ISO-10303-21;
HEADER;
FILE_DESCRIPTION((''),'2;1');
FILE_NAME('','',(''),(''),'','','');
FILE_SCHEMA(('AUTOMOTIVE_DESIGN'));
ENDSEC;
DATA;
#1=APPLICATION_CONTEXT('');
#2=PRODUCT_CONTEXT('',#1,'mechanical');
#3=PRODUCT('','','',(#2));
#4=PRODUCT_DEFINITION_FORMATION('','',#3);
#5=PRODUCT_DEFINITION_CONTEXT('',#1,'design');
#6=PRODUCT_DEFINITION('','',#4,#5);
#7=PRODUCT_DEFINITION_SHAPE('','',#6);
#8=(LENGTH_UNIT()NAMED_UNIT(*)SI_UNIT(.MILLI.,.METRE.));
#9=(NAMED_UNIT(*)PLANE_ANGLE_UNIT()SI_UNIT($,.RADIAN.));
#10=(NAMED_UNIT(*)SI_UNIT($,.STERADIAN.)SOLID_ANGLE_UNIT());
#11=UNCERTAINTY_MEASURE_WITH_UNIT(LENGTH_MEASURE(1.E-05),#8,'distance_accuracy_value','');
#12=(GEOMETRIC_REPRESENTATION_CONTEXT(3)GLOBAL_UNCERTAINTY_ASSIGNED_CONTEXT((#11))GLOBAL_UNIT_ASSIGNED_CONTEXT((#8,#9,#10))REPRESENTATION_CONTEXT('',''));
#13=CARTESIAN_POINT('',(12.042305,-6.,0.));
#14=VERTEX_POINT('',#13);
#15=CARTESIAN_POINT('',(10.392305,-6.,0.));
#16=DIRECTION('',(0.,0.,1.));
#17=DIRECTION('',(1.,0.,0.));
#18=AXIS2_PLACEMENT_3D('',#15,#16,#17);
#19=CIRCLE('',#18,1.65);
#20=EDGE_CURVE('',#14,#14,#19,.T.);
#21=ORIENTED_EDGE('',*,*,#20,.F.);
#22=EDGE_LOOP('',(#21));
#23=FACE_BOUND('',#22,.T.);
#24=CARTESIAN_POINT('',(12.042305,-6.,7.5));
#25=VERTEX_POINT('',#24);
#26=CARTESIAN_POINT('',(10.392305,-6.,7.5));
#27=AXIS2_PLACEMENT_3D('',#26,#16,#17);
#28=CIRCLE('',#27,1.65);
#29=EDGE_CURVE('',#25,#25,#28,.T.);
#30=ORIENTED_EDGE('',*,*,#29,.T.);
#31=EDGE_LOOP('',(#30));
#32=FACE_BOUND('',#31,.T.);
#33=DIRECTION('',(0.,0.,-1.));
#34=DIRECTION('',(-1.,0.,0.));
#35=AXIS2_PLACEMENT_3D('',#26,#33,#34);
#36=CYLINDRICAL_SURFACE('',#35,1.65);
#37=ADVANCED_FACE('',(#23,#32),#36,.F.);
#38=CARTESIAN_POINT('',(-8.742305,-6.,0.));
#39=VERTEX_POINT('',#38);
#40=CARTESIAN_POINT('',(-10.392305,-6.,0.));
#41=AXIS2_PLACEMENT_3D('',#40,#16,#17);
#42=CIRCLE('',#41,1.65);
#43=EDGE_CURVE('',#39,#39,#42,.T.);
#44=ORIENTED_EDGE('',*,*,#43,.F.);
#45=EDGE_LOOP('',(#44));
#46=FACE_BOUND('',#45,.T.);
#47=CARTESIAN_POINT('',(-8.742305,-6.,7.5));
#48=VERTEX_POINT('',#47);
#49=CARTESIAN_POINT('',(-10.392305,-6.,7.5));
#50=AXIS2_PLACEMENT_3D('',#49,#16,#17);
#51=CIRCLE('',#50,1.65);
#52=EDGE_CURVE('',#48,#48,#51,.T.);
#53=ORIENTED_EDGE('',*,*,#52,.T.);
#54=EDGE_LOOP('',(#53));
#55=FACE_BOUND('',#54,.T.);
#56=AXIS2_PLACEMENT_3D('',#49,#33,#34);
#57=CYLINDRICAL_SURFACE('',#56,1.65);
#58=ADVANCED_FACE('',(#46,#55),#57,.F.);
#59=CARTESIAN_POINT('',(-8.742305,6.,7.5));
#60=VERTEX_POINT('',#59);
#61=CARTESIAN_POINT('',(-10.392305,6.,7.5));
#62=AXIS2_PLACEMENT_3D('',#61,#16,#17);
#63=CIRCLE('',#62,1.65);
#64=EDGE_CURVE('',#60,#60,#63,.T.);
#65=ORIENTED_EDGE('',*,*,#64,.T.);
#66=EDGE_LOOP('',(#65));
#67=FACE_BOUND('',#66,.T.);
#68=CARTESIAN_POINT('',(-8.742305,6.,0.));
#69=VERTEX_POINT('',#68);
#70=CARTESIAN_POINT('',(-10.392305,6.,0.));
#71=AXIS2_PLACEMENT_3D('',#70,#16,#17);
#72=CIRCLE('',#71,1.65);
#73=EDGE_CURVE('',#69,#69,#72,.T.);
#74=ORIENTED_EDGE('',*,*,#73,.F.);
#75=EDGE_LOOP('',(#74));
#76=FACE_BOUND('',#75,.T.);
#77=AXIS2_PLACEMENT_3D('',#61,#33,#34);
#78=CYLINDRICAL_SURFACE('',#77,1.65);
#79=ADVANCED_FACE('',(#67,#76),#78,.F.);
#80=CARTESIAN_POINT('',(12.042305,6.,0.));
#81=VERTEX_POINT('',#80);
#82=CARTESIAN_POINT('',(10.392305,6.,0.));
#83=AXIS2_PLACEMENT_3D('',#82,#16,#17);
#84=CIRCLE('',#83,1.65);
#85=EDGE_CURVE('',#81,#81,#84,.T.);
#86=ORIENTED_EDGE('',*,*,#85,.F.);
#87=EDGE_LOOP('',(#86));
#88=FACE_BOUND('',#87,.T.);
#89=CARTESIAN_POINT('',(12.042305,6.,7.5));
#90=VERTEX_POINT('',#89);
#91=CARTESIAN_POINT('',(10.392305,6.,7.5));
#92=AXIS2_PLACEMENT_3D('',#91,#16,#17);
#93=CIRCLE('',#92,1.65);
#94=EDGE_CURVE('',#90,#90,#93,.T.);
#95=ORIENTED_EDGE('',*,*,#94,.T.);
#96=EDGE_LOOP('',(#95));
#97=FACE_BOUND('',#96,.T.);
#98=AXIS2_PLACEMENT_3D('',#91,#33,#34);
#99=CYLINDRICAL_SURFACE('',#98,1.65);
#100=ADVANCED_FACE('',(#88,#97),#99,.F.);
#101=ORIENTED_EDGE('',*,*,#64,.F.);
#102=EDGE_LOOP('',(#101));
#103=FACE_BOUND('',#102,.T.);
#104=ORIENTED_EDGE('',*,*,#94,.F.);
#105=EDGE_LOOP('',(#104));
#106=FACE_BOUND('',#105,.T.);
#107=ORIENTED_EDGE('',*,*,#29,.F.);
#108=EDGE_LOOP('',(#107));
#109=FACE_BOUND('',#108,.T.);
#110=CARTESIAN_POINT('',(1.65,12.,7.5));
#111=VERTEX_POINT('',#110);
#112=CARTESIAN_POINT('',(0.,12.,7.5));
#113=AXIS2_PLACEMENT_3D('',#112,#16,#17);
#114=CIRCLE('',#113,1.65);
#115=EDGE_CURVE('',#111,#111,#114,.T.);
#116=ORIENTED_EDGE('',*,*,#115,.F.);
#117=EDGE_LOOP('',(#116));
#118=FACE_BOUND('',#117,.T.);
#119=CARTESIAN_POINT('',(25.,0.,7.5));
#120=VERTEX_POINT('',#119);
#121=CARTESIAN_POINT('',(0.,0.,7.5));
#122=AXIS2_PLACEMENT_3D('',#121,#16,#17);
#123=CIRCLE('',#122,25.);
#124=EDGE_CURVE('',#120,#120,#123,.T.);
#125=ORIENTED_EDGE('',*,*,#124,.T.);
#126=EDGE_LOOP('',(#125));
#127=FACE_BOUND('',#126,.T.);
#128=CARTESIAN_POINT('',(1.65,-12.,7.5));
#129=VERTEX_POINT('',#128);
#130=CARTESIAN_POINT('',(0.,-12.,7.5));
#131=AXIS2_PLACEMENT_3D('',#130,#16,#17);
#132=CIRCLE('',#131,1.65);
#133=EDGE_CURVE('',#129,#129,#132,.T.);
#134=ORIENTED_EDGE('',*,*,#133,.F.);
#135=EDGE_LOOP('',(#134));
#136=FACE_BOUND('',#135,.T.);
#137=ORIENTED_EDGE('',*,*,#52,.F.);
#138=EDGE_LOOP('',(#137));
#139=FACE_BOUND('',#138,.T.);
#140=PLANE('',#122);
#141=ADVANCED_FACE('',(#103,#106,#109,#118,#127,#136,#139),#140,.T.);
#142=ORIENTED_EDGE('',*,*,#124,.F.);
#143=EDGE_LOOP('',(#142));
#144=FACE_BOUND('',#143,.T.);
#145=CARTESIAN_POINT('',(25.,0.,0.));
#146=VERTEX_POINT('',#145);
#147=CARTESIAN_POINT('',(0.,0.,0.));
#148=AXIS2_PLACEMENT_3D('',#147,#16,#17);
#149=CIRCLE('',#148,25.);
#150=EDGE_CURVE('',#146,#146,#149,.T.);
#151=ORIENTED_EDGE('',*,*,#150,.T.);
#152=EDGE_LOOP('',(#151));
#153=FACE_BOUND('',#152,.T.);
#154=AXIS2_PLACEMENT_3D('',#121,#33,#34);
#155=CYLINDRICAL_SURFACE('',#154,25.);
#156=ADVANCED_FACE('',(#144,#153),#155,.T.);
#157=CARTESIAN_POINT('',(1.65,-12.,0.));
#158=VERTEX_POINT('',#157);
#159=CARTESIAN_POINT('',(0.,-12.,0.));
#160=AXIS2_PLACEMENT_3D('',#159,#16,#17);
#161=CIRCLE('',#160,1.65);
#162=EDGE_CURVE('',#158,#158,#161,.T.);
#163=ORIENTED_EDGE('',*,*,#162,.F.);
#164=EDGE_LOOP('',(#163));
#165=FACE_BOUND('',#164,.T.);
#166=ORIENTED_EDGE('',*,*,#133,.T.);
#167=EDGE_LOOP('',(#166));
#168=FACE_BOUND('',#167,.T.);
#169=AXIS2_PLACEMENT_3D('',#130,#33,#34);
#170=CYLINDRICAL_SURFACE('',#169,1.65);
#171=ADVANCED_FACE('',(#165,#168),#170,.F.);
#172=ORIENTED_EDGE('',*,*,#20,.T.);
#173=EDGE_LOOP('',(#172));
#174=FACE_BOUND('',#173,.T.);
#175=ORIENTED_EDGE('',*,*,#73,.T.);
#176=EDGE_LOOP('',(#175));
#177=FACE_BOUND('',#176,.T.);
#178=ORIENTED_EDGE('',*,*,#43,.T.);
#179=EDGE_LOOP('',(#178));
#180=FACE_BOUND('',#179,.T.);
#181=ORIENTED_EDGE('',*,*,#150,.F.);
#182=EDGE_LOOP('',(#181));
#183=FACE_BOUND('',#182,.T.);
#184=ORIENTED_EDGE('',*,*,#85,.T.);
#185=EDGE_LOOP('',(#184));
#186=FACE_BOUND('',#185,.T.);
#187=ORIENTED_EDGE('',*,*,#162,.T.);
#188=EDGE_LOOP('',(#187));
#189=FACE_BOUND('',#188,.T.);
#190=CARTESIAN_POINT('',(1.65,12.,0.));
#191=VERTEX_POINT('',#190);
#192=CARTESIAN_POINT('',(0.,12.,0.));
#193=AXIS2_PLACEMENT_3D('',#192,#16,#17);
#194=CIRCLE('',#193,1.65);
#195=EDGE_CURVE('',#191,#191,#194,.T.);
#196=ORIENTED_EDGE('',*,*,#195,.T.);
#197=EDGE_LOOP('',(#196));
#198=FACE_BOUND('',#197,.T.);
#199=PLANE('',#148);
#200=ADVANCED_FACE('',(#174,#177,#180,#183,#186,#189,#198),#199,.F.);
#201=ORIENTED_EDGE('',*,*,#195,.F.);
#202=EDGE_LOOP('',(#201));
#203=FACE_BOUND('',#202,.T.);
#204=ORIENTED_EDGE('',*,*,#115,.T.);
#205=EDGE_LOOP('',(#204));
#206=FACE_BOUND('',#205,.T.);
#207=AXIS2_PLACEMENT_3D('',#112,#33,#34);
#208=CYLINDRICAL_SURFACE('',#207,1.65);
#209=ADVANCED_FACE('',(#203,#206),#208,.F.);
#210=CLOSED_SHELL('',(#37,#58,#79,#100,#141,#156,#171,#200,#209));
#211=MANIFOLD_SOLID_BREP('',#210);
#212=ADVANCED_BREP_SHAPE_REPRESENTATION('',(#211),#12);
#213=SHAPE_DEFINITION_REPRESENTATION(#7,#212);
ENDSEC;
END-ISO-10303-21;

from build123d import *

# Parameters (mm, degrees)
SKETCH_1_R      = 25
SKETCH_1_R_2    = 1.65
EXTRUDE_1_DEPTH = 7.5


with BuildPart() as part:
    # 草图1 → 凸台-拉伸1 (new body)
    with BuildSketch(Plane.XY):
        Circle(SKETCH_1_R)
        with Locations((0, 12)):
            Circle(SKETCH_1_R_2, mode=Mode.SUBTRACT)
        with Locations((10.392304845, 6)):
            Circle(SKETCH_1_R_2, mode=Mode.SUBTRACT)
        with Locations((10.392304845, -6)):
            Circle(SKETCH_1_R_2, mode=Mode.SUBTRACT)
        with Locations((0, -12)):
            Circle(SKETCH_1_R_2, mode=Mode.SUBTRACT)
        with Locations((-10.392304845, -6)):
            Circle(SKETCH_1_R_2, mode=Mode.SUBTRACT)
        with Locations((-10.392304845, 6)):
            Circle(SKETCH_1_R_2, mode=Mode.SUBTRACT)
    extrude(amount=EXTRUDE_1_DEPTH)


solid = part.part
